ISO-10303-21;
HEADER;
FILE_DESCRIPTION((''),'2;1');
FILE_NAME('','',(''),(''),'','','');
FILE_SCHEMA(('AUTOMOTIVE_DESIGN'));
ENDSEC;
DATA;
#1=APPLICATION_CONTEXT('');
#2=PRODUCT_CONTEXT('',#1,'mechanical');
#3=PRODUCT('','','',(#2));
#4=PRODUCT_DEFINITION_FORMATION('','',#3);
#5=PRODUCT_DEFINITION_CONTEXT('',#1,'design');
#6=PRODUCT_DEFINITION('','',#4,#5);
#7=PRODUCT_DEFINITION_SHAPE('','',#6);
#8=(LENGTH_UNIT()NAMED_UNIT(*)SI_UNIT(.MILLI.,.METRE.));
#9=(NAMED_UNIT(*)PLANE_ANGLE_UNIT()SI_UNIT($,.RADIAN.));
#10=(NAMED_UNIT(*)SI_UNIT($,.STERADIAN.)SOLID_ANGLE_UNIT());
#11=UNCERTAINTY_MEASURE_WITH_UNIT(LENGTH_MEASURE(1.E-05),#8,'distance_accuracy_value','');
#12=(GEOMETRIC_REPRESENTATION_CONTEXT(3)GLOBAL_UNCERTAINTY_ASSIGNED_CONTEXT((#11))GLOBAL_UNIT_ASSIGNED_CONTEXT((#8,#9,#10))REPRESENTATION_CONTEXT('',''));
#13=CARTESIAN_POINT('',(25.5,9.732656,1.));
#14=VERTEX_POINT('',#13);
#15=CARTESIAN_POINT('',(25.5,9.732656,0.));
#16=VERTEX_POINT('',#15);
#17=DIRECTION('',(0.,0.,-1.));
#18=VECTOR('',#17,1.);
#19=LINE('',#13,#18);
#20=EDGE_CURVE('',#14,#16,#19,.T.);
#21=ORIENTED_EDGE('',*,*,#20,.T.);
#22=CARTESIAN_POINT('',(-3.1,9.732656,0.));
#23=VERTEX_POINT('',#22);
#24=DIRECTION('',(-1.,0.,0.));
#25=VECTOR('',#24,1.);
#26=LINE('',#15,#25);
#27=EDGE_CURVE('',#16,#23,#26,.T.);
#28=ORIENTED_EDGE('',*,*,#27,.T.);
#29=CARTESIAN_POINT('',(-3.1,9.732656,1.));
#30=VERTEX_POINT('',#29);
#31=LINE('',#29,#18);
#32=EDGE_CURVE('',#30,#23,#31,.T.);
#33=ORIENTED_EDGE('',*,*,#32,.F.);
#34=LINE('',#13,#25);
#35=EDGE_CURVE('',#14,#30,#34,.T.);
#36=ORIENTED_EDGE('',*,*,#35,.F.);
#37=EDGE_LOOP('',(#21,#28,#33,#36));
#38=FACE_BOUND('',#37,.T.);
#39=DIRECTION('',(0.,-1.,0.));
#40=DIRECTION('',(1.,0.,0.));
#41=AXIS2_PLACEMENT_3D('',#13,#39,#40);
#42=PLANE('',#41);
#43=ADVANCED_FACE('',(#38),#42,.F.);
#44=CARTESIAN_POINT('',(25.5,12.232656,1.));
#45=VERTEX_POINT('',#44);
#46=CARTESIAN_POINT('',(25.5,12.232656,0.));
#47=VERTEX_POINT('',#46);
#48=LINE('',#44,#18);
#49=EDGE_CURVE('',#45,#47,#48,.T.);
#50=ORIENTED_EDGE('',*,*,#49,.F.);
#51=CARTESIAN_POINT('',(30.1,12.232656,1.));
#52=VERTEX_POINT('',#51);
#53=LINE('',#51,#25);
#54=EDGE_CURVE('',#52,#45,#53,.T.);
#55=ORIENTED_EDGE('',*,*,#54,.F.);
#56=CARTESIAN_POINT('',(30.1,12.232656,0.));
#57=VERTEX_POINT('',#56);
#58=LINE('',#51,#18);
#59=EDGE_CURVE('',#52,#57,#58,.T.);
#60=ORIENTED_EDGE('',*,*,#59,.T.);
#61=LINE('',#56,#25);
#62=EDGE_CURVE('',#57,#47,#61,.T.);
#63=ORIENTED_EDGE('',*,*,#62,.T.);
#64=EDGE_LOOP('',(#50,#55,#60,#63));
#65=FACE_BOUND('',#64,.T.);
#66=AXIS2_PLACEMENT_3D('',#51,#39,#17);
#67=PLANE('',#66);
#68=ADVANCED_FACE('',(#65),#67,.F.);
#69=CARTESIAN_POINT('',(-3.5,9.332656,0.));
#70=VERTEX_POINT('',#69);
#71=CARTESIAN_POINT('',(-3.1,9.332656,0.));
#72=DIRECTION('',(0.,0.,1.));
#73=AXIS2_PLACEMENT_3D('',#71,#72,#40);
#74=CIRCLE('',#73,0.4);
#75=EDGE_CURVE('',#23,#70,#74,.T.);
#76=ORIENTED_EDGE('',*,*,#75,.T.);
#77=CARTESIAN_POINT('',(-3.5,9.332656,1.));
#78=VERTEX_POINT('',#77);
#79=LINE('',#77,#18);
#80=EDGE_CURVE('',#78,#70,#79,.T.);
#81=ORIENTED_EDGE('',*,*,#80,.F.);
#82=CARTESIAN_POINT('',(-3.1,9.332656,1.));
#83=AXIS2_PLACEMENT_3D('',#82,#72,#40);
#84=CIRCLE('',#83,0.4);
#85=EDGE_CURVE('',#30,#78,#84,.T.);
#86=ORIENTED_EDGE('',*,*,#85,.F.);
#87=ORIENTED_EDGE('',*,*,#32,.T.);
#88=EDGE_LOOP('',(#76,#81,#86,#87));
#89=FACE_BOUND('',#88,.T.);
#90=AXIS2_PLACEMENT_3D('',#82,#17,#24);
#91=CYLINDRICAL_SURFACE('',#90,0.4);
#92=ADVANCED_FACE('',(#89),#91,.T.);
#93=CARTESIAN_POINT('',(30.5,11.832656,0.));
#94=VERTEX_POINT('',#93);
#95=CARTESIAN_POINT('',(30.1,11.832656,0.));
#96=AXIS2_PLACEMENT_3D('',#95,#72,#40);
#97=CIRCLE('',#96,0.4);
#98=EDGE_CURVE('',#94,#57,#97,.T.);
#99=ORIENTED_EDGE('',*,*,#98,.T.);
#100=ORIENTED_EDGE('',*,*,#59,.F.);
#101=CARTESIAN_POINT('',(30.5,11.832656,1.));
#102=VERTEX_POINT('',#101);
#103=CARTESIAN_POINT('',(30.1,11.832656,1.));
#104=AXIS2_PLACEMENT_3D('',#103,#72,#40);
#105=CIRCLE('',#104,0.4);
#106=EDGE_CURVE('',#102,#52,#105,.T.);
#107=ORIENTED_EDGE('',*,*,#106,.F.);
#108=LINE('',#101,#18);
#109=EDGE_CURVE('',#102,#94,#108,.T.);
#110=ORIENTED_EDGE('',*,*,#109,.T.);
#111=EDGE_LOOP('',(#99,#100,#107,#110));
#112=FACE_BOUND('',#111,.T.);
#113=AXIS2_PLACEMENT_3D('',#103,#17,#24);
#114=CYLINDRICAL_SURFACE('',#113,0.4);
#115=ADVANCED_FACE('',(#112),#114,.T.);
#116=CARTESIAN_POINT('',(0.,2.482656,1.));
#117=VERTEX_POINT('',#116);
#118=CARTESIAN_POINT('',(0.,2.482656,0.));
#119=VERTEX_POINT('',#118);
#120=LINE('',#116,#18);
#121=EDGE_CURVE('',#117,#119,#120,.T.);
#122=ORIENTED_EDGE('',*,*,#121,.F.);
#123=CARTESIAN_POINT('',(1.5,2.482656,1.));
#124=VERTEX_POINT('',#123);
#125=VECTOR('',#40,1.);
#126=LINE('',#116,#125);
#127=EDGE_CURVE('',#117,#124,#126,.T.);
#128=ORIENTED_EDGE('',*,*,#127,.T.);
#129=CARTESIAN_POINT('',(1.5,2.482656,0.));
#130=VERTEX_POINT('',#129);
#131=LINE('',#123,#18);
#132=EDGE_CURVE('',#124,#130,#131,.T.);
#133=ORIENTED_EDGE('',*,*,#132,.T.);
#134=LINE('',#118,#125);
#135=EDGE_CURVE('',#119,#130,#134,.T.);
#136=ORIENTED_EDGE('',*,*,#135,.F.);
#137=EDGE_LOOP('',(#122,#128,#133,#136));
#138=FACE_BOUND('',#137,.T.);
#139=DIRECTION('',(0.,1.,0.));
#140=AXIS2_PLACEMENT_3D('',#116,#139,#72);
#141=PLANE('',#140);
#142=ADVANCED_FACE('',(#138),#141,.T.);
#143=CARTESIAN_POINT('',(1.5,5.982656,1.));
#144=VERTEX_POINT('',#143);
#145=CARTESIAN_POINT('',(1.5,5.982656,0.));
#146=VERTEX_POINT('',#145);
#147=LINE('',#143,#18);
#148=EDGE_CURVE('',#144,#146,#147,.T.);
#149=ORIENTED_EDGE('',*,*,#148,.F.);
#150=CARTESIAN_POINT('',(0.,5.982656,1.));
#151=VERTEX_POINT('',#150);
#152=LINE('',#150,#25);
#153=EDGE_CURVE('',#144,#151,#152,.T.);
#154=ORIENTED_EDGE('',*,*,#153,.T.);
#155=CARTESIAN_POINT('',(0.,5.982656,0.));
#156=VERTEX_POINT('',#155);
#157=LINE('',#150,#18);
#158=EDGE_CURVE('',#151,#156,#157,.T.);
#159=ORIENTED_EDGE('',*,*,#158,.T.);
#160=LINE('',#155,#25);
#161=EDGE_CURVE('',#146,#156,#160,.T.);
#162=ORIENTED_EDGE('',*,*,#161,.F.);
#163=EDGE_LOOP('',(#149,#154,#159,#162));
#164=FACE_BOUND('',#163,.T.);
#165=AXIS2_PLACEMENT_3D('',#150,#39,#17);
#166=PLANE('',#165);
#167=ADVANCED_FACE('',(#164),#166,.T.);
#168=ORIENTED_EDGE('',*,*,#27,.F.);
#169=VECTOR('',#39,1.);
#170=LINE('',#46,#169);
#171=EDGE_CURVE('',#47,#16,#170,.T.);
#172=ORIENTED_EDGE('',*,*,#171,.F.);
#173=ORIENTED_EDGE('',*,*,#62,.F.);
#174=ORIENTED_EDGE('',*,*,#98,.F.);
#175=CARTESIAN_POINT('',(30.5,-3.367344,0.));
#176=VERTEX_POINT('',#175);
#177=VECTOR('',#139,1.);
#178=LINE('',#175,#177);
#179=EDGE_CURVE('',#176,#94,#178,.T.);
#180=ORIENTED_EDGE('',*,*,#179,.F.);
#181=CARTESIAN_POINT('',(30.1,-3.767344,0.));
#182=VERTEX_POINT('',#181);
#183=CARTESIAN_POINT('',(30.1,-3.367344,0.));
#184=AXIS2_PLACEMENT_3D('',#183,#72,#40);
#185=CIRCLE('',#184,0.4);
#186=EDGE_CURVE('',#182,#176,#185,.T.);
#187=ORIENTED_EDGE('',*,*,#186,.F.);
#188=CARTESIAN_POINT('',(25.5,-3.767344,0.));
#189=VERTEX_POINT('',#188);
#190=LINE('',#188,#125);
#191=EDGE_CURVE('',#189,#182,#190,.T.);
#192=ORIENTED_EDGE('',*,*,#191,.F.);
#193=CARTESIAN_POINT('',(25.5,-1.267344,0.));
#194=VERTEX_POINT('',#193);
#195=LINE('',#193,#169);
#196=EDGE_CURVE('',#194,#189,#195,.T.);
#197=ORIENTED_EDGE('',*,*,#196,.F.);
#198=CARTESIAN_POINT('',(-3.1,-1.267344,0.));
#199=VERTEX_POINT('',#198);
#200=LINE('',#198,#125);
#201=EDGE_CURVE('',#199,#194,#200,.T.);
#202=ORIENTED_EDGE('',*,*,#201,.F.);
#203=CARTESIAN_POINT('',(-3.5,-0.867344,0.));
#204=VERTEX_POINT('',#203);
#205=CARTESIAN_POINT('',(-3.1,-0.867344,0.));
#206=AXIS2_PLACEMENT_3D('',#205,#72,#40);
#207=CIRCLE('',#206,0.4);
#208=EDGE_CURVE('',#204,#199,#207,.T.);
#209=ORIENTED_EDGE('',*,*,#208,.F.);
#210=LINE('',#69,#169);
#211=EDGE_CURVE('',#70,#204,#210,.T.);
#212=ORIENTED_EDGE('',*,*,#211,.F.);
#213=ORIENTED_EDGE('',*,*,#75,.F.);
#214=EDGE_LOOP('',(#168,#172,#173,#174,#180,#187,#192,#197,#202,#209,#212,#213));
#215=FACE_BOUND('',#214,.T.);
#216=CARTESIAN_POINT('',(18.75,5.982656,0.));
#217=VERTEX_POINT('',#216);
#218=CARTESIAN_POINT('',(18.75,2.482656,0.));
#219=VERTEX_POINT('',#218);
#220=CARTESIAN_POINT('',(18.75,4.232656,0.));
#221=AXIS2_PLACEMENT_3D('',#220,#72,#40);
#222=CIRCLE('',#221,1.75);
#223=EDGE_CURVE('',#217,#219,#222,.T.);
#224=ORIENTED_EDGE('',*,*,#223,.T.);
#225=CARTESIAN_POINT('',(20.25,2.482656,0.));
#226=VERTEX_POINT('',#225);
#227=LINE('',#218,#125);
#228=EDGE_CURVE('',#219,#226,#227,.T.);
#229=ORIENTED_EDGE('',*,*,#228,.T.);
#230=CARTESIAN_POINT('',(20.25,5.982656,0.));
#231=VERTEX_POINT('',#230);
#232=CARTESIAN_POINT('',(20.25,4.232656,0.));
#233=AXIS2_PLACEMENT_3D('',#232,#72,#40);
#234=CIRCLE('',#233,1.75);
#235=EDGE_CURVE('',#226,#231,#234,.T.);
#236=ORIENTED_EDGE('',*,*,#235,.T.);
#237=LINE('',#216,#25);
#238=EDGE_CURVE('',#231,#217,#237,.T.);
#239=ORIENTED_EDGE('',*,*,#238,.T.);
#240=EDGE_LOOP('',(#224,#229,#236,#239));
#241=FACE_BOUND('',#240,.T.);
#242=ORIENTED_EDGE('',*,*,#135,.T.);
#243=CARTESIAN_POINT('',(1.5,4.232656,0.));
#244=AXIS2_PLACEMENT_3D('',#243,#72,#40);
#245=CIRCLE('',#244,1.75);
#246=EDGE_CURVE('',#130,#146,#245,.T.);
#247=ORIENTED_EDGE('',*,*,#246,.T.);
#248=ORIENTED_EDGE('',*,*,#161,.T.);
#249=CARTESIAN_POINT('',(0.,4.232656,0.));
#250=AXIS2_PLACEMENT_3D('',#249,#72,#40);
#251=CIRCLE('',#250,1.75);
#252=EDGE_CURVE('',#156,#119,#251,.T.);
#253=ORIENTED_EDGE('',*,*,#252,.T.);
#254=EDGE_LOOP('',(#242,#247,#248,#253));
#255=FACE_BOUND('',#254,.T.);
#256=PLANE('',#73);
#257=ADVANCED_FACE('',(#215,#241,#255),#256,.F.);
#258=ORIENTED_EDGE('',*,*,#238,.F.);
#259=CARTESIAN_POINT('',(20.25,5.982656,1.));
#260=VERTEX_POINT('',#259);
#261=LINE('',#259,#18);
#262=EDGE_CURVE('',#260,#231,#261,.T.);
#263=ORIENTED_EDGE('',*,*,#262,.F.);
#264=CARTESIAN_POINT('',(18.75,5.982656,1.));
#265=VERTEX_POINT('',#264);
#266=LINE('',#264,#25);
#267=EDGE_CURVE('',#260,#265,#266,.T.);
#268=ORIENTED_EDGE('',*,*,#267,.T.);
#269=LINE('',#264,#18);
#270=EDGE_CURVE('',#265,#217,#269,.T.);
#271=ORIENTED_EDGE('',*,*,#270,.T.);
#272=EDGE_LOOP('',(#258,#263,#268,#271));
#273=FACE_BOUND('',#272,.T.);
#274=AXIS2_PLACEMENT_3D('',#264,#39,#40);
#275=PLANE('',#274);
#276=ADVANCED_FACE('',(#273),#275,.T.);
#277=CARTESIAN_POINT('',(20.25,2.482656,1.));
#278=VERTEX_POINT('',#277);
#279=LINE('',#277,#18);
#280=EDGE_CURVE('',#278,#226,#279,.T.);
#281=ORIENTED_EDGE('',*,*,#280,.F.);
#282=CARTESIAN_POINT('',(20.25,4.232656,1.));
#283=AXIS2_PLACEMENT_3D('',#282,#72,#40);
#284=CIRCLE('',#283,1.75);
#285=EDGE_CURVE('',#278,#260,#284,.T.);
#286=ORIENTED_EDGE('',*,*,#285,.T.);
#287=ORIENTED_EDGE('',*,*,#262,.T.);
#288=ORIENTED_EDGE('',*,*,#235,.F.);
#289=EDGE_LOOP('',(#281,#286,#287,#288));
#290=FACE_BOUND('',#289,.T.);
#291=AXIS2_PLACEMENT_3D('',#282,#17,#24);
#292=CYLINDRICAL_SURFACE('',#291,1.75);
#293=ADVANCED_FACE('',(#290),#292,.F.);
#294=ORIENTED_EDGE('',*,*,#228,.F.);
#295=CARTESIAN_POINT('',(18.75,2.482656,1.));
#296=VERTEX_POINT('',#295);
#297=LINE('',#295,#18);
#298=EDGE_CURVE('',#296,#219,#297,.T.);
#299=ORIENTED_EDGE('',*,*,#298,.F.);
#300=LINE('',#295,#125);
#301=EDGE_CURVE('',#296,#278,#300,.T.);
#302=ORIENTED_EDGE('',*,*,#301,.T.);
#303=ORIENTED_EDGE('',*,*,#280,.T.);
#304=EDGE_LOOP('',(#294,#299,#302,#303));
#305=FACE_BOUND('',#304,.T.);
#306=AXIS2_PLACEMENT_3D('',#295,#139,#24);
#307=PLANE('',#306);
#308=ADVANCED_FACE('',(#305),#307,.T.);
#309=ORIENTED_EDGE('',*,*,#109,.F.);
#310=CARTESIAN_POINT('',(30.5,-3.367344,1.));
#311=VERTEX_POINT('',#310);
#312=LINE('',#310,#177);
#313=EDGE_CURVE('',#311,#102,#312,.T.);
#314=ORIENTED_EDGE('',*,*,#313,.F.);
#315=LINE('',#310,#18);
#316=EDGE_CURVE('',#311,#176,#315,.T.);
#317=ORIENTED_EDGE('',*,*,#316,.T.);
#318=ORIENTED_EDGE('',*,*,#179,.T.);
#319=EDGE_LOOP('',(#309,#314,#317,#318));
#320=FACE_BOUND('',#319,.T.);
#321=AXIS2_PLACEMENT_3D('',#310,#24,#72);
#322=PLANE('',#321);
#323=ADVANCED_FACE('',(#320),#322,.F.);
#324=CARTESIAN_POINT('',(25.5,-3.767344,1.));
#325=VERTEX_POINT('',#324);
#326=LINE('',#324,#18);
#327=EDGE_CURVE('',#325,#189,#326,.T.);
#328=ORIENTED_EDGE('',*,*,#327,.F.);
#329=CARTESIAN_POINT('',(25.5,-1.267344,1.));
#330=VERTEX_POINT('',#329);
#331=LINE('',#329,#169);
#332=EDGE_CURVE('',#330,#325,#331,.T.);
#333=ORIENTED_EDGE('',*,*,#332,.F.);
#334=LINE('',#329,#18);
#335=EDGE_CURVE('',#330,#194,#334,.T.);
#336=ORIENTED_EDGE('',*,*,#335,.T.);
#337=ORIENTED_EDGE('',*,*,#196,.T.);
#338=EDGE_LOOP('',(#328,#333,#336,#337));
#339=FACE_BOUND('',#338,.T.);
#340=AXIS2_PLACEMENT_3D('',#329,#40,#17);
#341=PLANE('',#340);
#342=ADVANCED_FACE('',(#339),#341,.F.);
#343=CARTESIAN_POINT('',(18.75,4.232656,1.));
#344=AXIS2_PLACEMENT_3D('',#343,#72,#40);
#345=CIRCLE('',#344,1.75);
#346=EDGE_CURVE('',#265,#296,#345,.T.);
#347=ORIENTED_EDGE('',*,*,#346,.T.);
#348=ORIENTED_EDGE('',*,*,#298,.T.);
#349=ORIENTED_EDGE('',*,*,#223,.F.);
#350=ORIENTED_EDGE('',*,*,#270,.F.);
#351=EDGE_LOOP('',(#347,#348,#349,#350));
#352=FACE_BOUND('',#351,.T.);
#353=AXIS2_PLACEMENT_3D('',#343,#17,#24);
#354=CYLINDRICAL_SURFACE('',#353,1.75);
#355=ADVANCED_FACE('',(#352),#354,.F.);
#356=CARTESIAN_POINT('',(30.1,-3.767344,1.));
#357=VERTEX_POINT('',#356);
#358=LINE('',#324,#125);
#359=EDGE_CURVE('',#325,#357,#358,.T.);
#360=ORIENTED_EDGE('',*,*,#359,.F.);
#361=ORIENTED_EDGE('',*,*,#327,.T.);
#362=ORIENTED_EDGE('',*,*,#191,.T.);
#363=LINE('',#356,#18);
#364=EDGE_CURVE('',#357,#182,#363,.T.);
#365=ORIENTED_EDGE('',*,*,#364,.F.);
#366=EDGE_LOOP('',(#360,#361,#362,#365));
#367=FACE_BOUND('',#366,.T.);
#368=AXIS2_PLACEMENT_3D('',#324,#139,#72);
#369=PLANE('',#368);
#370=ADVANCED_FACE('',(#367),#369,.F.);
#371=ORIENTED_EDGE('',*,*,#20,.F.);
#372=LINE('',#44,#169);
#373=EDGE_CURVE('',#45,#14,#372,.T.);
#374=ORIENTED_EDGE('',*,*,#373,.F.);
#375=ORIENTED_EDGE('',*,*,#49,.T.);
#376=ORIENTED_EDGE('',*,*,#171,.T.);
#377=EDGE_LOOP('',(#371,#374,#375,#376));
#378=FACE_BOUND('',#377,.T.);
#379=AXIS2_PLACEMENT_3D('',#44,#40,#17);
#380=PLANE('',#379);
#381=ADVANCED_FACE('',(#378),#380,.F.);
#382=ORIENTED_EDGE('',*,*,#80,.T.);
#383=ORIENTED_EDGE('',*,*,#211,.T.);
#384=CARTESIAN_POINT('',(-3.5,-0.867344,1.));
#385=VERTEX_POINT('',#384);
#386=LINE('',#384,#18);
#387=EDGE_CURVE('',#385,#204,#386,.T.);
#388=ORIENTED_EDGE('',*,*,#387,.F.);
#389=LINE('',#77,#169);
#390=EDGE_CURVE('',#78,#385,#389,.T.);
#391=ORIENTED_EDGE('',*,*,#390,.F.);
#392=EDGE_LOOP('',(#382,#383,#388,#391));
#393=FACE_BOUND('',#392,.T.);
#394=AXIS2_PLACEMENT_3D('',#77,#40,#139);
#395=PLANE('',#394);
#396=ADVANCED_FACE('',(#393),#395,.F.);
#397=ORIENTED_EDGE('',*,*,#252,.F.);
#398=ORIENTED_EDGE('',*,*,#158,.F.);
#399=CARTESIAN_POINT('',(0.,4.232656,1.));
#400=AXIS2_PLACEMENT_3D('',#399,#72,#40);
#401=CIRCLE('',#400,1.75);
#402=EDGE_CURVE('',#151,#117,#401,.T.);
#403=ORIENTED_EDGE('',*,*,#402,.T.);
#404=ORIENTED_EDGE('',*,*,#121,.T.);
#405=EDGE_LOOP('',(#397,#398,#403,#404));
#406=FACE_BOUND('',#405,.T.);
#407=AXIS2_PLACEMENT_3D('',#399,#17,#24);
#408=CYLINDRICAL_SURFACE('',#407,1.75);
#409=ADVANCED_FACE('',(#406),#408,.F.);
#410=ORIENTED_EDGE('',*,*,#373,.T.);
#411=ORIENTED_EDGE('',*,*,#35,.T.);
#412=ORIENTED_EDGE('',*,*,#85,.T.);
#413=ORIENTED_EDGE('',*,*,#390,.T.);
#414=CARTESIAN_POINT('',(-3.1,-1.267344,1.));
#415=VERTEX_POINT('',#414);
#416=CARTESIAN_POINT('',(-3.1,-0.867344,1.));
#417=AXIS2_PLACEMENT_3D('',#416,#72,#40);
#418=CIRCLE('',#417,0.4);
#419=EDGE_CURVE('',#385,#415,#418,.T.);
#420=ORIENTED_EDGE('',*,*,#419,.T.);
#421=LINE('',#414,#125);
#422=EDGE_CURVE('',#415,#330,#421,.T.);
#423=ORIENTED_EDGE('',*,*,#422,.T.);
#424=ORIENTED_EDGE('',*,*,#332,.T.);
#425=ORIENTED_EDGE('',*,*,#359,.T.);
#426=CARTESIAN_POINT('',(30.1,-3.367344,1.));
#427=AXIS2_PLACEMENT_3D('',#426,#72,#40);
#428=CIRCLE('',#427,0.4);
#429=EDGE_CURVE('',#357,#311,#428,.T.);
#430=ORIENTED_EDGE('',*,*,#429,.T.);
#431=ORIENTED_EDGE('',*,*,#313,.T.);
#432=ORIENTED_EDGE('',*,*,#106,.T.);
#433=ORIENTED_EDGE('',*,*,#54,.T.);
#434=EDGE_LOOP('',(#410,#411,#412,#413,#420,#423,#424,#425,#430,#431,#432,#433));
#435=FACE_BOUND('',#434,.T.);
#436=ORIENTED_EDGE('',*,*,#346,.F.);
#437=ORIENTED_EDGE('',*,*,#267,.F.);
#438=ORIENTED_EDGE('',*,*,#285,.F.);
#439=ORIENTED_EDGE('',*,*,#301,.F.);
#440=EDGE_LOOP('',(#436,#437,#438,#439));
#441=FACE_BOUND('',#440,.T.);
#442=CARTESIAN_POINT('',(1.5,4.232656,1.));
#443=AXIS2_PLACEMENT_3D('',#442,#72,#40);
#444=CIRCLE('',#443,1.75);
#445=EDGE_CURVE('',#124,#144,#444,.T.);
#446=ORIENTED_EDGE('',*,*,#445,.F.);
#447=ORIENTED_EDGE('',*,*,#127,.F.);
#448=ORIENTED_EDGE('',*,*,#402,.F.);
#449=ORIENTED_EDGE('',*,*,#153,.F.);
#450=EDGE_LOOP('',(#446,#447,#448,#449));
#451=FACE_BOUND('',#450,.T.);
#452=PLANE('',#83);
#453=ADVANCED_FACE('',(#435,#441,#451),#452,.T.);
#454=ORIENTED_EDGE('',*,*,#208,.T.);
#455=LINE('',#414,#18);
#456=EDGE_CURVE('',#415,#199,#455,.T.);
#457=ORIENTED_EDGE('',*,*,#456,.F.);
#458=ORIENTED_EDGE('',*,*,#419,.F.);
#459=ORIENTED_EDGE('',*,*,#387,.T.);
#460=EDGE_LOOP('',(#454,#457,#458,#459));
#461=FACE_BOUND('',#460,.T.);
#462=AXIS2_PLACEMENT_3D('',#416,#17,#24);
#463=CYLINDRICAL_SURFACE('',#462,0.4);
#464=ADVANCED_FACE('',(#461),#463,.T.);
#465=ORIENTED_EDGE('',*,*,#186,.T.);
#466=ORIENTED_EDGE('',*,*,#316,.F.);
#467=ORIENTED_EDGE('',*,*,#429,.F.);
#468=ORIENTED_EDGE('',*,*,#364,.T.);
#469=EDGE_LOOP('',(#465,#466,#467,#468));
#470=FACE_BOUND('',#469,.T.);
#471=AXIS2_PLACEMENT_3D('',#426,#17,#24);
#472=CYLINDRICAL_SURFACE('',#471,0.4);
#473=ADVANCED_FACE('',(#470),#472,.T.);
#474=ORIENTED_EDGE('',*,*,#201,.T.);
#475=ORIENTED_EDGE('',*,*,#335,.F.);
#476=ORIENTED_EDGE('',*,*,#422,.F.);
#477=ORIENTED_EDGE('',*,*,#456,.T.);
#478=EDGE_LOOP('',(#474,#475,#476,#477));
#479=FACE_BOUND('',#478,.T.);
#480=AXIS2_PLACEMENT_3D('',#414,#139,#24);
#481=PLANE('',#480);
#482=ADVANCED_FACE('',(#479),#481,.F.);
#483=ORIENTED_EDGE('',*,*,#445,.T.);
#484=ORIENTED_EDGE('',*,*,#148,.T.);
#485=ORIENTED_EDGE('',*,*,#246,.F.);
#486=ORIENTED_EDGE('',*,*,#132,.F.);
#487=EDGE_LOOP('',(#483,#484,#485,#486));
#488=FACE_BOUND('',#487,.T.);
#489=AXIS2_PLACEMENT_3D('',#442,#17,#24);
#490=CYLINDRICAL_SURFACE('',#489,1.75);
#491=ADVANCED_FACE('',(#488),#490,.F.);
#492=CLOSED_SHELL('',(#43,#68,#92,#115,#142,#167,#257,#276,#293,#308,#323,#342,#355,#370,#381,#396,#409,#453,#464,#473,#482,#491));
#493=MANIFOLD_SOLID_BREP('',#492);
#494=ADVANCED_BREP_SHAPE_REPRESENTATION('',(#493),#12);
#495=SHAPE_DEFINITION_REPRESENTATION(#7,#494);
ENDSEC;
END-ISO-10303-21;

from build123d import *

# Parameters (mm, degrees)
DODANIE_WYCI_GNI_CIE1_DEPTH = 1


with BuildPart() as part:
    # Szkic1 → Dodanie-wyciągnięcie1 (new body)
    with BuildSketch(Plane.XY):
        with BuildLine():
            Line((-3.1, -1.267343807), (25.5, -1.267343807))
            Line((25.5, -1.267343807), (25.5, -3.767343807))
            Line((25.5, -3.767343807), (30.1, -3.767343807))
            ThreePointArc((30.1, -3.767343807), (30.382842712, -3.650186519), (30.5, -3.367343807))
            Line((30.5, -3.367343807), (30.5, 11.832656193))
            ThreePointArc((30.5, 11.832656193), (30.382842712, 12.115498905), (30.1, 12.232656193))
            Line((30.1, 12.232656193), (25.5, 12.232656193))
            Line((25.5, 12.232656193), (25.5, 9.732656193))
            Line((25.5, 9.732656193), (-3.1, 9.732656193))
            ThreePointArc((-3.1, 9.732656193), (-3.382842712, 9.615498905), (-3.5, 9.332656193))
            Line((-3.5, 9.332656193), (-3.5, -0.867343807))
            ThreePointArc((-3.5, -0.867343807), (-3.382842712, -1.150186519), (-3.1, -1.267343807))
        make_face()
        with BuildLine():
            Line((18.75, 5.982656193), (20.25, 5.982656193))
            ThreePointArc((20.25, 5.982656193), (22, 4.232656193), (20.25, 2.482656193))
            Line((20.25, 2.482656193), (18.75, 2.482656193))
            ThreePointArc((18.75, 2.482656193), (17, 4.232656193), (18.75, 5.982656193))
        make_face(mode=Mode.SUBTRACT)
        with BuildLine():
            Line((0, 5.982656193), (1.5, 5.982656193))
            ThreePointArc((1.5, 5.982656193), (3.25, 4.232656193), (1.5, 2.482656193))
            Line((1.5, 2.482656193), (0, 2.482656193))
            ThreePointArc((0, 2.482656193), (-1.75, 4.232656193), (0, 5.982656193))
        make_face(mode=Mode.SUBTRACT)
    extrude(amount=DODANIE_WYCI_GNI_CIE1_DEPTH)


solid = part.part
